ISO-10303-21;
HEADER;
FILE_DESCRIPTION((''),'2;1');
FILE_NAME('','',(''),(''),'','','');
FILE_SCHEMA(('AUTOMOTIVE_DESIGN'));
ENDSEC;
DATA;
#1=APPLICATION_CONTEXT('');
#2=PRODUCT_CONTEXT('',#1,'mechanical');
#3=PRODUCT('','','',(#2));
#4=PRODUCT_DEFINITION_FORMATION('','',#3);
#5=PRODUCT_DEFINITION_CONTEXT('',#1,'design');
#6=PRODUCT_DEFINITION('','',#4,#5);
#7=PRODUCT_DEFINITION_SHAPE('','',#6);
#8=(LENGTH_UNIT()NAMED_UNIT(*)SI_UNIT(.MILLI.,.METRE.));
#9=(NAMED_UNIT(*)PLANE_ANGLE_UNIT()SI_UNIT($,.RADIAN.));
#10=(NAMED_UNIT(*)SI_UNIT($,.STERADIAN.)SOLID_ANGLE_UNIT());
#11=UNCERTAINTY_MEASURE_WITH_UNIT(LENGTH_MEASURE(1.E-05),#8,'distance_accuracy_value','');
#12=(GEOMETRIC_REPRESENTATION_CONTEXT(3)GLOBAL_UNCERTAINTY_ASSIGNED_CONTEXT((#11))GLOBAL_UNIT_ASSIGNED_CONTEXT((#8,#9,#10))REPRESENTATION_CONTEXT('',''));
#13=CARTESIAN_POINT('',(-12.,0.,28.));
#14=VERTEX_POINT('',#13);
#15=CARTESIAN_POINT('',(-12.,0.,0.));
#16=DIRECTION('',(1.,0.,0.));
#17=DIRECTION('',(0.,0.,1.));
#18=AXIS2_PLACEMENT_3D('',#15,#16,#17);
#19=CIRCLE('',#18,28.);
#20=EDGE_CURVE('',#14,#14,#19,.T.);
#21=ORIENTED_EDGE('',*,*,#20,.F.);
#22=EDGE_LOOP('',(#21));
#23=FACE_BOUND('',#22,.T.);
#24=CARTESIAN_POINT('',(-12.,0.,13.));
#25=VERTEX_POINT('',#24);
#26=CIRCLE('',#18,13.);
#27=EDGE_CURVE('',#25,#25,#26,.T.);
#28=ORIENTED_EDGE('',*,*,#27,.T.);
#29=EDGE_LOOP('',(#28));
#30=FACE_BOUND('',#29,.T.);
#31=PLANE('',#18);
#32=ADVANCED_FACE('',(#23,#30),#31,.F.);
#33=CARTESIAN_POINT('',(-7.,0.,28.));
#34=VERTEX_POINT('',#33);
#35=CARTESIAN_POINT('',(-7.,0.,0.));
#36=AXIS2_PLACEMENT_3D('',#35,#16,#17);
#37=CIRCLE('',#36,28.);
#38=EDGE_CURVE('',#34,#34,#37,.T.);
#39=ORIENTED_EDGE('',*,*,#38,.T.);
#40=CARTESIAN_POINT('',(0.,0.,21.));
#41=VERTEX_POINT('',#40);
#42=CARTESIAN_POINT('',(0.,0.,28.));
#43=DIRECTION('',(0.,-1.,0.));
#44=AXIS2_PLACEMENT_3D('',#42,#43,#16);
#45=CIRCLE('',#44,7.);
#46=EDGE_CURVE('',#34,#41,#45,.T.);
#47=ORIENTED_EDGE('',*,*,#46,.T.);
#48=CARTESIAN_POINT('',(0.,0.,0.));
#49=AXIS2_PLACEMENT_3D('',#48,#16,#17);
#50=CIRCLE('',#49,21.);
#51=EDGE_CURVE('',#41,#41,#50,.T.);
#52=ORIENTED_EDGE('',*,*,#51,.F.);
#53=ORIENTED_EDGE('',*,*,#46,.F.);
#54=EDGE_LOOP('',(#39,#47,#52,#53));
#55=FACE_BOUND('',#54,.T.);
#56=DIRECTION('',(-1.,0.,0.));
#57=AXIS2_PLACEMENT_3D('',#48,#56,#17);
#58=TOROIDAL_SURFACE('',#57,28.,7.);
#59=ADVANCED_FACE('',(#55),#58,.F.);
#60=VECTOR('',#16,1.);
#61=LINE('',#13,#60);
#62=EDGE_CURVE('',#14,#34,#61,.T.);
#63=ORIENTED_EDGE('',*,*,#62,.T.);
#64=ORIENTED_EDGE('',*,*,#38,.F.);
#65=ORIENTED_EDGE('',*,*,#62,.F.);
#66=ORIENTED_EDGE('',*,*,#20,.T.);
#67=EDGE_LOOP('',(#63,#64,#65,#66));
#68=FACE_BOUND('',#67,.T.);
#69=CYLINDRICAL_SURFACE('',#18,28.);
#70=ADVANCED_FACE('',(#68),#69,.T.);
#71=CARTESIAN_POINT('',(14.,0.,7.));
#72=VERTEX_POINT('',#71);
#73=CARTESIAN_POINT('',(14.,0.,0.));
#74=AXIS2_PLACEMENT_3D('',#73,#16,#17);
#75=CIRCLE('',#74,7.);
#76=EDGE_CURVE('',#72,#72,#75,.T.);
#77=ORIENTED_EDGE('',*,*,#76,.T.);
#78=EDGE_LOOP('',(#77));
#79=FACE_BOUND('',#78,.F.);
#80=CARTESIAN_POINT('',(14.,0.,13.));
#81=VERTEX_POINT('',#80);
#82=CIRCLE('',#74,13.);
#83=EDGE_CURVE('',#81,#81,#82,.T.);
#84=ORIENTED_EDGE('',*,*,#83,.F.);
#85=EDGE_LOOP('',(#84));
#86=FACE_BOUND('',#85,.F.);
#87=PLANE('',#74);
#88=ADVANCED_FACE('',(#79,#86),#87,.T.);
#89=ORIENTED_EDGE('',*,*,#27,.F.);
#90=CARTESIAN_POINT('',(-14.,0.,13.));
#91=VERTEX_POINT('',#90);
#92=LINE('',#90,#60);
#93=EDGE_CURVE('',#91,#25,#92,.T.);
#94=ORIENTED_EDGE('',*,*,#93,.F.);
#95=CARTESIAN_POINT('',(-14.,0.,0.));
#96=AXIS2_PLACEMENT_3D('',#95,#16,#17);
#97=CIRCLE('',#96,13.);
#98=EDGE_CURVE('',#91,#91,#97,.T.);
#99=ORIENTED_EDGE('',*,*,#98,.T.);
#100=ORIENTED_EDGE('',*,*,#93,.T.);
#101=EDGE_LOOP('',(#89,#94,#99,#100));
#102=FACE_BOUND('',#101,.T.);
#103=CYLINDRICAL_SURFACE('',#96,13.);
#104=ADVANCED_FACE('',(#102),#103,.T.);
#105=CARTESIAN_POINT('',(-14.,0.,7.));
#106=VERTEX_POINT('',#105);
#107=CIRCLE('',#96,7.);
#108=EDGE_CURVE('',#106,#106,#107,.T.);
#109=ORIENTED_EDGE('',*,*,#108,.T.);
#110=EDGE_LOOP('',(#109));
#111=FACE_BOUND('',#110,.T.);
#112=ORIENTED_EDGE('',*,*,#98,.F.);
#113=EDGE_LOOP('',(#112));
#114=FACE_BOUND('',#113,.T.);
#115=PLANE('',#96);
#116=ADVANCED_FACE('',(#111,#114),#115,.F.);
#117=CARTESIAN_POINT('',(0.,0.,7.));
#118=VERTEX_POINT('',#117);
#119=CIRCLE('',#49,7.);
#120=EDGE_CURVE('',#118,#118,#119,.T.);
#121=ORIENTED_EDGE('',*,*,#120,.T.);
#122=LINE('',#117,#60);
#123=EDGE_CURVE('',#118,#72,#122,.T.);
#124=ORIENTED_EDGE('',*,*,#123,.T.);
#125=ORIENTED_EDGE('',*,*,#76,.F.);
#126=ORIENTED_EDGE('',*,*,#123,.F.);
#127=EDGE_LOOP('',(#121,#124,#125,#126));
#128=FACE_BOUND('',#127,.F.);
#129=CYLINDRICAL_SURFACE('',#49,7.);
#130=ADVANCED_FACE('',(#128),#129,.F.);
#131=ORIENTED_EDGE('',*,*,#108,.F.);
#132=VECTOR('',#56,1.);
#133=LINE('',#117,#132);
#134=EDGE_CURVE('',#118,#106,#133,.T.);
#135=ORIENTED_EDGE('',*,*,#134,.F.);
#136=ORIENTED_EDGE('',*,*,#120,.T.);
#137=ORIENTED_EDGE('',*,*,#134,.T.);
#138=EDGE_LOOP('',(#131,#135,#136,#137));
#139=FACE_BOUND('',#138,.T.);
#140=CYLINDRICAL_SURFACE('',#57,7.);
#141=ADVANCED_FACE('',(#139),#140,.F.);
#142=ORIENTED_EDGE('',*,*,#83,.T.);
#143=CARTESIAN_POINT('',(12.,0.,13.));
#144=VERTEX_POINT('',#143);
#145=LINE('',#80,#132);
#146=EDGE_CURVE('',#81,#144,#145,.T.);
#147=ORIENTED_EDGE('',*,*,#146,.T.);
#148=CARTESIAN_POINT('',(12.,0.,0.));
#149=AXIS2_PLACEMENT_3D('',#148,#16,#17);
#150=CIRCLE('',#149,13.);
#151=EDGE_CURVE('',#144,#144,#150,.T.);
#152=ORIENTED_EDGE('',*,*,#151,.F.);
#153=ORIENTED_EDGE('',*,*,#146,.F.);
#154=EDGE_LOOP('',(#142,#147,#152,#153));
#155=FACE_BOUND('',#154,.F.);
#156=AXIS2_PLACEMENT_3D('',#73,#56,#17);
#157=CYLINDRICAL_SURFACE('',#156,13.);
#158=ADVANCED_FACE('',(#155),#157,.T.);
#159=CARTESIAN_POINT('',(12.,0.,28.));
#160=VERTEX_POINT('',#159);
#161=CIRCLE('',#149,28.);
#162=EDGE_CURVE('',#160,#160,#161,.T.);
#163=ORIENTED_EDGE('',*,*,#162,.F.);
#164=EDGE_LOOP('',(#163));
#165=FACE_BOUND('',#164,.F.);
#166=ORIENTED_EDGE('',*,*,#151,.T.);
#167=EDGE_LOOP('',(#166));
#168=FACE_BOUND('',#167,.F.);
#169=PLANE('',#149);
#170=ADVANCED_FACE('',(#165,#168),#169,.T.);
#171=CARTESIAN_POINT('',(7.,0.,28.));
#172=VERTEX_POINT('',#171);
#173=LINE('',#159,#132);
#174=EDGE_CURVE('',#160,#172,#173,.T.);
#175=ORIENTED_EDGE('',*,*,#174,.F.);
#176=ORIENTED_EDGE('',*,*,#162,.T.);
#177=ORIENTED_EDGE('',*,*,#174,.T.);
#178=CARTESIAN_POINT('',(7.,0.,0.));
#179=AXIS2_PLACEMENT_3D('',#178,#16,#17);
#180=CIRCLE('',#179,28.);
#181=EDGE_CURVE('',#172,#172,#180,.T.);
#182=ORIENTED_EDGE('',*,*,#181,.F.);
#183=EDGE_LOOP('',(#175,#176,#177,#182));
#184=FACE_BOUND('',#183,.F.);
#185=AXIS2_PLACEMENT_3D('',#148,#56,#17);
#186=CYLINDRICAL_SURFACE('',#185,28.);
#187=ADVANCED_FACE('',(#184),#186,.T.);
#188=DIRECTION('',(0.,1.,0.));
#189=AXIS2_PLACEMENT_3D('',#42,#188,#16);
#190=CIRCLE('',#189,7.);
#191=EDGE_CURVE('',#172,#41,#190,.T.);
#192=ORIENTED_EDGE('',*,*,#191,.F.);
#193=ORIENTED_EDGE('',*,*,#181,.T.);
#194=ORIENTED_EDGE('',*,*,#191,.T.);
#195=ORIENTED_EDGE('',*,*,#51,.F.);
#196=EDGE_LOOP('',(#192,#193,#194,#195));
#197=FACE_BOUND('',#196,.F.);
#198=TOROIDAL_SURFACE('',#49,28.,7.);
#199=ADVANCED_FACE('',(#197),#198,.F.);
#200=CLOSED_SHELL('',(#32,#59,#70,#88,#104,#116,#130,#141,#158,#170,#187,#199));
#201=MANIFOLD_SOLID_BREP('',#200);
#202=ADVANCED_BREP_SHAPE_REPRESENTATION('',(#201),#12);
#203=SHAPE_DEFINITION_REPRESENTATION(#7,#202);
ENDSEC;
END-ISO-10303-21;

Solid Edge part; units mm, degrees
sketch "Sketch1" plane through (0, 0, 0) normal (0, -1, 0) x (1, 0, 0)
  line L0 (-12, 28) -> (-7, 28)
  arc A0 (-7, 28) -> (0, 21) centre (0, 28) ccw
  arc A1 (7, 28) -> (0, 21) centre (0, 28) cw
  line L1 (12, 28) -> (7, 28)
  line L2 (12, 13) -> (12, 28)
  line L3 (14, 13) -> (12, 13)
  line L4 (14, 7) -> (14, 13)
  line L5 (0, 7) -> (14, 7)
  line L6 (0, 7) -> (-14, 7)
  line L7 (-14, 7) -> (-14, 13)
  line L8 (-14, 13) -> (-12, 13)
  line L9 (-12, 13) -> (-12, 28)
revolve "RevolvedProtrusion1" add sketch "Sketch1" angle 360 about axis through (0, 0, 0) along (1, 0, 0)
